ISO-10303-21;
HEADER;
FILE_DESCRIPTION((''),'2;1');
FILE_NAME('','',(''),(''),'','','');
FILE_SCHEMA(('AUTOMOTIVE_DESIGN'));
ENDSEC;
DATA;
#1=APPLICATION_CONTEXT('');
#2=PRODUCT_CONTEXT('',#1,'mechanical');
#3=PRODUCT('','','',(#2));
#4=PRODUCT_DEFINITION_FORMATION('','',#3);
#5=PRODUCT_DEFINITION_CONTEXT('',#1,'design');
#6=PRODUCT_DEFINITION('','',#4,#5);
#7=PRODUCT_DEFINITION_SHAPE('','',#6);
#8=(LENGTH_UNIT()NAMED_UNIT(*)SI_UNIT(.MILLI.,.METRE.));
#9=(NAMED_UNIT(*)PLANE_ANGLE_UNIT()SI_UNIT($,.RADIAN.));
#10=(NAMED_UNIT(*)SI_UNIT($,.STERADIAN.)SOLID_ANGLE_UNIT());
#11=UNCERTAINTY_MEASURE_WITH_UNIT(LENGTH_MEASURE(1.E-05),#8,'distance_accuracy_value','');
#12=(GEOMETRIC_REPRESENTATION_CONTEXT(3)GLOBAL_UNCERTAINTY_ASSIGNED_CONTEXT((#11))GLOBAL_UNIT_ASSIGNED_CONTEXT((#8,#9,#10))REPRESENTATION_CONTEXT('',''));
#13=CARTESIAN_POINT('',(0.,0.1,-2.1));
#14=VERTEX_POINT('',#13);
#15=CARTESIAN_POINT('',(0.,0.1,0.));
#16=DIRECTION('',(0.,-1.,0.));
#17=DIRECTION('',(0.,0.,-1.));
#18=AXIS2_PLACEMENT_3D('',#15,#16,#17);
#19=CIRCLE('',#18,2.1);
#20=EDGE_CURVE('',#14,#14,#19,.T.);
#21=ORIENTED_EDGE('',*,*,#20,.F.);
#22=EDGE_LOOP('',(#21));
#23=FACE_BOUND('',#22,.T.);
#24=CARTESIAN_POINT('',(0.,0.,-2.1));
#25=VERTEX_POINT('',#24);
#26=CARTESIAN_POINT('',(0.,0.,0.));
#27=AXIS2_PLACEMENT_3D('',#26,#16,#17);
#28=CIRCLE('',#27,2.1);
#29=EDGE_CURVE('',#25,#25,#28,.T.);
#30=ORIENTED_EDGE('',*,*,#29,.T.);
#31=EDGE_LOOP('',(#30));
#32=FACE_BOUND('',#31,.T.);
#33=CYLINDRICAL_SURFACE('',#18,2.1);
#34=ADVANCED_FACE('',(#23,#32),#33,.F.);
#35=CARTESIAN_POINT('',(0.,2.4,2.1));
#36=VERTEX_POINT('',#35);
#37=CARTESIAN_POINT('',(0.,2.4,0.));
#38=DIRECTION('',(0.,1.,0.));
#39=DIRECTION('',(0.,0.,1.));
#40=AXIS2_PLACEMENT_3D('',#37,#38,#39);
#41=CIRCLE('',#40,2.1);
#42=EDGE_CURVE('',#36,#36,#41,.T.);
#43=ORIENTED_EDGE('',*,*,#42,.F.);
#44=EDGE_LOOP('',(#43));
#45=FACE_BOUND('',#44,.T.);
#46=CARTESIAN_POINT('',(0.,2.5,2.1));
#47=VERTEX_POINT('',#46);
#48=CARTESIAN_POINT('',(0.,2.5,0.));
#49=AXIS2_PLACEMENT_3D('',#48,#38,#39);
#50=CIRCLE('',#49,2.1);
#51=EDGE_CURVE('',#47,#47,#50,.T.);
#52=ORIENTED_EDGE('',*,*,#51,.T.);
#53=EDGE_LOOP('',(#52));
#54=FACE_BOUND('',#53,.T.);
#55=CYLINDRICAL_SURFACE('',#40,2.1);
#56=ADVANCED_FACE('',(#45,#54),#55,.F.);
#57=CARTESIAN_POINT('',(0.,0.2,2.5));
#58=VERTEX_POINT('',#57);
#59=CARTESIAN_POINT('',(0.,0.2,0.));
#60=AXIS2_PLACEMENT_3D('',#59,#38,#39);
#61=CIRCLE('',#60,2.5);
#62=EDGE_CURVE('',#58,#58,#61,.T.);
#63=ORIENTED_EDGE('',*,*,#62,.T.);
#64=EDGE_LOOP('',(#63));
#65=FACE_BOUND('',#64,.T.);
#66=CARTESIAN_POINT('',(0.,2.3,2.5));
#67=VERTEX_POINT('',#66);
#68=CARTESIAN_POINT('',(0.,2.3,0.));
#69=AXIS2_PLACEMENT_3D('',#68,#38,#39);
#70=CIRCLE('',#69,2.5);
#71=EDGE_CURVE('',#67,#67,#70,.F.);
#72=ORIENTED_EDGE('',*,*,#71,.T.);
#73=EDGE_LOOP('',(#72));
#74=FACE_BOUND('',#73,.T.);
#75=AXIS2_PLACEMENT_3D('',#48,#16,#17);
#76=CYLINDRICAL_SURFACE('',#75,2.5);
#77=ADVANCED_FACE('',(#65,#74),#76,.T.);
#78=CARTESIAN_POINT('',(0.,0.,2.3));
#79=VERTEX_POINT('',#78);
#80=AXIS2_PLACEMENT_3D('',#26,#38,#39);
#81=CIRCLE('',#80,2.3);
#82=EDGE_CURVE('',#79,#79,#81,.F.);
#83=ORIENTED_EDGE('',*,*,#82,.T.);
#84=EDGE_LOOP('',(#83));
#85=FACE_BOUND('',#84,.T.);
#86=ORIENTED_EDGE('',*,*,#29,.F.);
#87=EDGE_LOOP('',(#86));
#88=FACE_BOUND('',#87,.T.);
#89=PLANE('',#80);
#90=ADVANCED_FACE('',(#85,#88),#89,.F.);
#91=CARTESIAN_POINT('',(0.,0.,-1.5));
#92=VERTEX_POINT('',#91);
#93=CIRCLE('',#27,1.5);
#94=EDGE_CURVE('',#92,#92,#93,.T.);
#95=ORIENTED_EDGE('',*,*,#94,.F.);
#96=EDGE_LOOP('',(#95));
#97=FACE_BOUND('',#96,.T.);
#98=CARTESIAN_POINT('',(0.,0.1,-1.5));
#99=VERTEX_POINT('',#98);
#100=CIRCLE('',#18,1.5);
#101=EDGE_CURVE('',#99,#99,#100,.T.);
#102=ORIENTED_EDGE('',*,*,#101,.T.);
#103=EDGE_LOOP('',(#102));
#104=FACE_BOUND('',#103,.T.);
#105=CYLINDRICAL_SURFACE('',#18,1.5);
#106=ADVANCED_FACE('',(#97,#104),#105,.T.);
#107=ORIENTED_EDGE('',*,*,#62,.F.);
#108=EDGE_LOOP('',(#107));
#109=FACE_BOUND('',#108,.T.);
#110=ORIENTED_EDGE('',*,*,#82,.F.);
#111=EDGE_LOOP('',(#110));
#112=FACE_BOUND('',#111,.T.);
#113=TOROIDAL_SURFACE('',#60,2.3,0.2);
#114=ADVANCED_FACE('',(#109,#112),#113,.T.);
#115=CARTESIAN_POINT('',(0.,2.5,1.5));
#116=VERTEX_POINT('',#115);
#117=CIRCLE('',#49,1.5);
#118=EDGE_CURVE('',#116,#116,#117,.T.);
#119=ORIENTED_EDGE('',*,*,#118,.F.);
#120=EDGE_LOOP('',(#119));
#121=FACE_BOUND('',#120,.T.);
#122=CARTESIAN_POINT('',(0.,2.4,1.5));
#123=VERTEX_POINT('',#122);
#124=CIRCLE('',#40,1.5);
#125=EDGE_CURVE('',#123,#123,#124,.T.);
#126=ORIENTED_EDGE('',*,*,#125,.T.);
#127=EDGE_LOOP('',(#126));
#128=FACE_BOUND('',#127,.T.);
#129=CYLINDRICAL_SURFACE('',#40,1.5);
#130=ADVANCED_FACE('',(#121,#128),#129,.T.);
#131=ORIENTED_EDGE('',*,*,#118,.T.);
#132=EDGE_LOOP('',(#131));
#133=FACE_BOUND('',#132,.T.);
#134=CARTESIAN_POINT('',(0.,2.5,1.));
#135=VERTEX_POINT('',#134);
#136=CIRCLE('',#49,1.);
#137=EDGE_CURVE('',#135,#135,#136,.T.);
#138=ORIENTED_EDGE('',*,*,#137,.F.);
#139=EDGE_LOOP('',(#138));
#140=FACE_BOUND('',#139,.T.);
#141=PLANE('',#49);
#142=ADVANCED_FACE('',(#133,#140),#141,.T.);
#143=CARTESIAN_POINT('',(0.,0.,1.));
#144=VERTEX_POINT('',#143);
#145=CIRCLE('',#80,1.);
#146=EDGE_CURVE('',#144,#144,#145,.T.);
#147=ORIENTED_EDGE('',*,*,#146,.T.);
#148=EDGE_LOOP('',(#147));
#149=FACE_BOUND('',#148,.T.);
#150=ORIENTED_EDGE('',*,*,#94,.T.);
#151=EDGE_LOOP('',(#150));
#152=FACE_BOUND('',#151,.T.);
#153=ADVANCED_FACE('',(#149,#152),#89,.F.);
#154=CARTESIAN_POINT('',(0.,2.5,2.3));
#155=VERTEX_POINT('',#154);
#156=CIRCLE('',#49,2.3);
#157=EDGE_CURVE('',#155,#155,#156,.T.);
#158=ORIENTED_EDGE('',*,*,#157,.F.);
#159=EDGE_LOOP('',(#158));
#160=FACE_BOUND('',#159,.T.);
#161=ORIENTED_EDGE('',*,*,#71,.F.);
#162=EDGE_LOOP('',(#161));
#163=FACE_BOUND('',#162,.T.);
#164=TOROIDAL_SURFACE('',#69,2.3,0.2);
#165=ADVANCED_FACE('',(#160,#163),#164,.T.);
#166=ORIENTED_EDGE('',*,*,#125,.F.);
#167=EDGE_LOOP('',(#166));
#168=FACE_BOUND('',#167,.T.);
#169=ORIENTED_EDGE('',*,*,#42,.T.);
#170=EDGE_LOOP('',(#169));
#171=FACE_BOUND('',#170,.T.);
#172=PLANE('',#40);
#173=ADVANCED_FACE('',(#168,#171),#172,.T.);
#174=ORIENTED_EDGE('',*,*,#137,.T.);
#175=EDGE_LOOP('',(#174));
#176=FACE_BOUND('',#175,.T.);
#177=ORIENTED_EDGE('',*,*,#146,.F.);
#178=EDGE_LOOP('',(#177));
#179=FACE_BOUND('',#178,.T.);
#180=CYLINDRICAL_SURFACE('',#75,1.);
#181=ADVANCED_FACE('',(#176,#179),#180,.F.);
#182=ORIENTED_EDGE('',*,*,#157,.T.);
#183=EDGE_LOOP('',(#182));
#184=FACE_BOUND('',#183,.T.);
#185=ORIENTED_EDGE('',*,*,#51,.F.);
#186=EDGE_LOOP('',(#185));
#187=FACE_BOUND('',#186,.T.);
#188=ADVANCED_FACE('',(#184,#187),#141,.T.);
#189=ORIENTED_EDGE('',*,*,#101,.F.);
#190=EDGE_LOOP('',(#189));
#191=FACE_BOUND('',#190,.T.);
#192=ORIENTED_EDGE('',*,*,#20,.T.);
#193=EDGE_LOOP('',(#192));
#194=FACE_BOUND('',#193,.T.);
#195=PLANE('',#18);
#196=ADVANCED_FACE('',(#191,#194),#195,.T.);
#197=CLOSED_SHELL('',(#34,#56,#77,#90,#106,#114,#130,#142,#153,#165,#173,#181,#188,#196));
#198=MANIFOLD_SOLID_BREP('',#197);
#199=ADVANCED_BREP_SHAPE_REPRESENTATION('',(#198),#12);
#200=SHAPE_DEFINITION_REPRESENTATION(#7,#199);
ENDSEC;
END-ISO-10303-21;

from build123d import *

# Parameters (mm, degrees)
SKETCH1_R           = 2.5
SKETCH1_R_2         = 1
BOSS_EXTRUDE1_DEPTH = 2.5
FILLET1_R           = 0.2
SKETCH2_R           = 2.1
SKETCH2_R_2         = 1.5
CUT_EXTRUDE1_DEPTH  = 0.1
CUT_EXTRUDE2_START  = -0.1
SKETCH3_R           = 2.1
SKETCH3_R_2         = 1.5
CUT_EXTRUDE2_DEPTH  = 0.1


with BuildPart() as part:
    # Sketch1 → Boss-Extrude1 (new body)
    with BuildSketch(Plane(origin=(0, 0, 0), x_dir=(1, 0, 0), z_dir=(0, 1, 0))):
        with Locations(Location((0, 0, 0), (0, 0, 270))):
            Circle(SKETCH1_R)
        with Locations(Location((0, 0, 0), (0, 0, 270))):
            Circle(SKETCH1_R_2, mode=Mode.SUBTRACT)
    extrude(amount=BOSS_EXTRUDE1_DEPTH)

    # Fillet1
    fillet1_edges = [part.edges().sort_by_distance(p)[0] for p in [
        (0, 0, -2.5),
        (0, 2.5, -2.5),
    ]]
    fillet(fillet1_edges, radius=FILLET1_R)

    # Sketch2 → Cut-Extrude1 (cut)
    with BuildSketch(Plane(origin=(0, 2.5, 0), x_dir=(1, 0, 0), z_dir=(0, 1, 0))):
        with Locations(Location((0, 0, 0), (0, 0, 270))):
            Circle(SKETCH2_R)
        with Locations(Location((0, 0, 0), (0, 0, 270))):
            Circle(SKETCH2_R_2, mode=Mode.SUBTRACT)
    extrude(amount=-CUT_EXTRUDE1_DEPTH, mode=Mode.SUBTRACT)

    # Sketch3 → Cut-Extrude2 (cut)
    with BuildSketch(Plane.XZ.offset(CUT_EXTRUDE2_START)):
        with Locations(Location((0, 0, 0), (0, 0, 90))):
            Circle(SKETCH3_R)
        with Locations(Location((0, 0, 0), (0, 0, 90))):
            Circle(SKETCH3_R_2, mode=Mode.SUBTRACT)
    extrude(amount=CUT_EXTRUDE2_DEPTH, mode=Mode.SUBTRACT)


solid = part.part
